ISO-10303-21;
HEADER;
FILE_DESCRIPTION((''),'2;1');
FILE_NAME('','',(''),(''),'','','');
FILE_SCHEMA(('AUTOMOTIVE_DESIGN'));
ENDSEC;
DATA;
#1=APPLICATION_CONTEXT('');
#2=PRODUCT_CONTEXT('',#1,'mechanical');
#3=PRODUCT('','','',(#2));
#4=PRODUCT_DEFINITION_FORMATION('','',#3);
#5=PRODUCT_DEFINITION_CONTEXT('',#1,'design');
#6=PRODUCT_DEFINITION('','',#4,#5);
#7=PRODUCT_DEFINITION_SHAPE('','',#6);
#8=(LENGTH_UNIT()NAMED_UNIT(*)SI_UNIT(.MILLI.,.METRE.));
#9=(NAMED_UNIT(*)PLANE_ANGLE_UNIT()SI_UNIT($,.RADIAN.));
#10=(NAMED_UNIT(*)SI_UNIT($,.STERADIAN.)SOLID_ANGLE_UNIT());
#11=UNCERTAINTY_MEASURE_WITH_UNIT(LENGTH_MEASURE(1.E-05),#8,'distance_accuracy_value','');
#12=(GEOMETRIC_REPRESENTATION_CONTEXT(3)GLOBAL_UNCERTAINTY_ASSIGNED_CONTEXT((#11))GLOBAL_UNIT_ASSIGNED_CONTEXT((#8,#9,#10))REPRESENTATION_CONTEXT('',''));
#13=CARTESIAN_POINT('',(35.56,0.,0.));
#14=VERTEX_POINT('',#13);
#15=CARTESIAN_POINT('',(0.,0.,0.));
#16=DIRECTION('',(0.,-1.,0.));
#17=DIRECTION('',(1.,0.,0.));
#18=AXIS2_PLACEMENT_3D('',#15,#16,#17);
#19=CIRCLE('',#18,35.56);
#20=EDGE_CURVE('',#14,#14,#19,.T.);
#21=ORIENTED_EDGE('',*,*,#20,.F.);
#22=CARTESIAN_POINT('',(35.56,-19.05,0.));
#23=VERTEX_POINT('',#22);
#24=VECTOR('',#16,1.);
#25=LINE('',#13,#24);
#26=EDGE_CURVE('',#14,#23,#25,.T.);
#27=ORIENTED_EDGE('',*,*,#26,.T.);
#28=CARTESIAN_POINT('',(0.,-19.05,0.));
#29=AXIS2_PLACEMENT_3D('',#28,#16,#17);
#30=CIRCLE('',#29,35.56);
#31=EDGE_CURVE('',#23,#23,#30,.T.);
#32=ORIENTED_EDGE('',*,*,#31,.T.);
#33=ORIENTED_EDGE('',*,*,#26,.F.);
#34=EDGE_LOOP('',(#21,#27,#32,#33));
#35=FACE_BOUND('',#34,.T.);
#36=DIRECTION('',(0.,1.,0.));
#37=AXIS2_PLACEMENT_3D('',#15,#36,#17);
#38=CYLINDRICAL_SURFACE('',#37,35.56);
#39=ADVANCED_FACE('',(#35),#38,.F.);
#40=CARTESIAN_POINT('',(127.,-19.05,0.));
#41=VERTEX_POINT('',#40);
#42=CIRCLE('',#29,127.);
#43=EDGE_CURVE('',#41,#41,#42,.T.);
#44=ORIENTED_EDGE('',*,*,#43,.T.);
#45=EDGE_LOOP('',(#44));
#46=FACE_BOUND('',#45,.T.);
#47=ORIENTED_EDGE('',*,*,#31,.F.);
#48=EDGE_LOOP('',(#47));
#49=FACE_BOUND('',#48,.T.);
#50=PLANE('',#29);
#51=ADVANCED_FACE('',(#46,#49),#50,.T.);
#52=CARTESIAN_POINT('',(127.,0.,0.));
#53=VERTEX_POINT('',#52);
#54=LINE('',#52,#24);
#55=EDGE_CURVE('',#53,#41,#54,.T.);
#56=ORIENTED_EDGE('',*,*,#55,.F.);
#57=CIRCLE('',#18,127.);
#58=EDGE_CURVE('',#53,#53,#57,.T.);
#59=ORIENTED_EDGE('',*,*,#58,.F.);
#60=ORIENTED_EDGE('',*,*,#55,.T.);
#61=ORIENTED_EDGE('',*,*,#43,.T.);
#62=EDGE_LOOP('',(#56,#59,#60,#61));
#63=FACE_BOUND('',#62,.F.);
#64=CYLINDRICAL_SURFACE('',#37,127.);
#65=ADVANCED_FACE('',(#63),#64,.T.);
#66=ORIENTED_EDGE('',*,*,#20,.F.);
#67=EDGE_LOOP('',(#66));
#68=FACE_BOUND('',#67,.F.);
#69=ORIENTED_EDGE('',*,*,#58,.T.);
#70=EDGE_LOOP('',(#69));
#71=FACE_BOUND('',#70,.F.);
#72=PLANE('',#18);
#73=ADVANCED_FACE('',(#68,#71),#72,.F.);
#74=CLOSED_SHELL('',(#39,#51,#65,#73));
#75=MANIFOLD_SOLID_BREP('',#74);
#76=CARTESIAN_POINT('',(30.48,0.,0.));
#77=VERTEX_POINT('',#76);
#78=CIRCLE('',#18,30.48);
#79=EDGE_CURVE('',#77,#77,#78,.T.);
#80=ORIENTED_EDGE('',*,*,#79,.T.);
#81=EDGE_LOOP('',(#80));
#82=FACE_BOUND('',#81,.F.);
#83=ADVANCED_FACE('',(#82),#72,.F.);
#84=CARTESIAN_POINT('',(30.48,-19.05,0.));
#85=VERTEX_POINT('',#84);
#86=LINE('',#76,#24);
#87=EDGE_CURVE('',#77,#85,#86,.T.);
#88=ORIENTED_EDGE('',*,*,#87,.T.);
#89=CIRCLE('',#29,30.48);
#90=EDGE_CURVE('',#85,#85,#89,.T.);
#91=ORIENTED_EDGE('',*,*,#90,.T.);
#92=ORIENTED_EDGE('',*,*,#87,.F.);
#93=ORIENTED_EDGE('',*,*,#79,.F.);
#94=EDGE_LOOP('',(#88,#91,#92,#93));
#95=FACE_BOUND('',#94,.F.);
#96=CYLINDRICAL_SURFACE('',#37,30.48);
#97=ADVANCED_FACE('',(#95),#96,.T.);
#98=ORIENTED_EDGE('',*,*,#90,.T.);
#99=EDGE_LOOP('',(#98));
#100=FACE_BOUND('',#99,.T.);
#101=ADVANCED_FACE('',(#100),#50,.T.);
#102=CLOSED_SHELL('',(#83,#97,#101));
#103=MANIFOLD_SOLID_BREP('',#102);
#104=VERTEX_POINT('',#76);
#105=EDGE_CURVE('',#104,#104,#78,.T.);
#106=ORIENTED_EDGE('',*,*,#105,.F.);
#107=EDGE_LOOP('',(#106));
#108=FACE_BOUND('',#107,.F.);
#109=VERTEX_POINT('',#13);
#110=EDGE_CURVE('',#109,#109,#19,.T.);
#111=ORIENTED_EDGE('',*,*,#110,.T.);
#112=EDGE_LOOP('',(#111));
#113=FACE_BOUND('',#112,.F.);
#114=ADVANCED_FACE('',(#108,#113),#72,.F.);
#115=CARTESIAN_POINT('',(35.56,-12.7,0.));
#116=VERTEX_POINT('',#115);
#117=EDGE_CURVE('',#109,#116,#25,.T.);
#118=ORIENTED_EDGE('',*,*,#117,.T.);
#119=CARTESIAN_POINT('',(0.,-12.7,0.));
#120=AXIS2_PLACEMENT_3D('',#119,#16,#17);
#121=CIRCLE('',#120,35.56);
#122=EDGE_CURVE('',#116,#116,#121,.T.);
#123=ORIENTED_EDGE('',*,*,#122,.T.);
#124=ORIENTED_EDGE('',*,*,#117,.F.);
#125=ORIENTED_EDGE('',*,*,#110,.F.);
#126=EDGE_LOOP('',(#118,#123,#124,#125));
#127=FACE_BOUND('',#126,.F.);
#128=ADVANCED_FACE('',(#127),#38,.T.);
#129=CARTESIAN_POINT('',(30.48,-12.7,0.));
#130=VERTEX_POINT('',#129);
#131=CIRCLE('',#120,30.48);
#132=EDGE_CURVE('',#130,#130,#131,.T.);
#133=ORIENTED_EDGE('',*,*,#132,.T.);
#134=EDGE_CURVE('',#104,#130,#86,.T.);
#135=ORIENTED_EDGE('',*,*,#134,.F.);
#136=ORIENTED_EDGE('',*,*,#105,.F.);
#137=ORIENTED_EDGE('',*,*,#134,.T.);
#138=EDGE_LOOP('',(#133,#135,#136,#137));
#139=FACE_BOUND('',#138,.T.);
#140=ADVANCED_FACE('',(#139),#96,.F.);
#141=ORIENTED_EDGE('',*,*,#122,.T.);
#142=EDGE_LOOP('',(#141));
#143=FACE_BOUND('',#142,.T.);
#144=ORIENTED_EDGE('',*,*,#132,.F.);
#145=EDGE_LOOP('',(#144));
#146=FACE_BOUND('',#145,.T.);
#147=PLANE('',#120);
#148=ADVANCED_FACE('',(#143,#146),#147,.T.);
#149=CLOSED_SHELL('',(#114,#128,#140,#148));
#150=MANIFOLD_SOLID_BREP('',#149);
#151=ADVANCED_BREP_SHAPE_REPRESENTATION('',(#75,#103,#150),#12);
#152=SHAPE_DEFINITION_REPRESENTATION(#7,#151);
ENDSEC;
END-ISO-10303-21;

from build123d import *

# Parameters (mm, degrees)
F0_R     = 127
F0_R_2   = 35.56
F0_R_3   = 30.48
F1_DEPTH = 19.05
F2_DEPTH = 12.7


with BuildPart() as f1:
    # F0 (on Front) → F1 (new body)
    with BuildSketch(Plane.XZ):
        Circle(F0_R)
        Circle(F0_R_2, mode=Mode.SUBTRACT)
        Circle(F0_R_3)
    extrude(amount=F1_DEPTH)


with BuildPart() as f2:
    # F0 (on Front) → F2 (new body)
    with BuildSketch(Plane.XZ):
        Circle(F0_R_2)
        Circle(F0_R_3, mode=Mode.SUBTRACT)
    extrude(amount=F2_DEPTH)


solid = Compound([f1.part, f2.part])
